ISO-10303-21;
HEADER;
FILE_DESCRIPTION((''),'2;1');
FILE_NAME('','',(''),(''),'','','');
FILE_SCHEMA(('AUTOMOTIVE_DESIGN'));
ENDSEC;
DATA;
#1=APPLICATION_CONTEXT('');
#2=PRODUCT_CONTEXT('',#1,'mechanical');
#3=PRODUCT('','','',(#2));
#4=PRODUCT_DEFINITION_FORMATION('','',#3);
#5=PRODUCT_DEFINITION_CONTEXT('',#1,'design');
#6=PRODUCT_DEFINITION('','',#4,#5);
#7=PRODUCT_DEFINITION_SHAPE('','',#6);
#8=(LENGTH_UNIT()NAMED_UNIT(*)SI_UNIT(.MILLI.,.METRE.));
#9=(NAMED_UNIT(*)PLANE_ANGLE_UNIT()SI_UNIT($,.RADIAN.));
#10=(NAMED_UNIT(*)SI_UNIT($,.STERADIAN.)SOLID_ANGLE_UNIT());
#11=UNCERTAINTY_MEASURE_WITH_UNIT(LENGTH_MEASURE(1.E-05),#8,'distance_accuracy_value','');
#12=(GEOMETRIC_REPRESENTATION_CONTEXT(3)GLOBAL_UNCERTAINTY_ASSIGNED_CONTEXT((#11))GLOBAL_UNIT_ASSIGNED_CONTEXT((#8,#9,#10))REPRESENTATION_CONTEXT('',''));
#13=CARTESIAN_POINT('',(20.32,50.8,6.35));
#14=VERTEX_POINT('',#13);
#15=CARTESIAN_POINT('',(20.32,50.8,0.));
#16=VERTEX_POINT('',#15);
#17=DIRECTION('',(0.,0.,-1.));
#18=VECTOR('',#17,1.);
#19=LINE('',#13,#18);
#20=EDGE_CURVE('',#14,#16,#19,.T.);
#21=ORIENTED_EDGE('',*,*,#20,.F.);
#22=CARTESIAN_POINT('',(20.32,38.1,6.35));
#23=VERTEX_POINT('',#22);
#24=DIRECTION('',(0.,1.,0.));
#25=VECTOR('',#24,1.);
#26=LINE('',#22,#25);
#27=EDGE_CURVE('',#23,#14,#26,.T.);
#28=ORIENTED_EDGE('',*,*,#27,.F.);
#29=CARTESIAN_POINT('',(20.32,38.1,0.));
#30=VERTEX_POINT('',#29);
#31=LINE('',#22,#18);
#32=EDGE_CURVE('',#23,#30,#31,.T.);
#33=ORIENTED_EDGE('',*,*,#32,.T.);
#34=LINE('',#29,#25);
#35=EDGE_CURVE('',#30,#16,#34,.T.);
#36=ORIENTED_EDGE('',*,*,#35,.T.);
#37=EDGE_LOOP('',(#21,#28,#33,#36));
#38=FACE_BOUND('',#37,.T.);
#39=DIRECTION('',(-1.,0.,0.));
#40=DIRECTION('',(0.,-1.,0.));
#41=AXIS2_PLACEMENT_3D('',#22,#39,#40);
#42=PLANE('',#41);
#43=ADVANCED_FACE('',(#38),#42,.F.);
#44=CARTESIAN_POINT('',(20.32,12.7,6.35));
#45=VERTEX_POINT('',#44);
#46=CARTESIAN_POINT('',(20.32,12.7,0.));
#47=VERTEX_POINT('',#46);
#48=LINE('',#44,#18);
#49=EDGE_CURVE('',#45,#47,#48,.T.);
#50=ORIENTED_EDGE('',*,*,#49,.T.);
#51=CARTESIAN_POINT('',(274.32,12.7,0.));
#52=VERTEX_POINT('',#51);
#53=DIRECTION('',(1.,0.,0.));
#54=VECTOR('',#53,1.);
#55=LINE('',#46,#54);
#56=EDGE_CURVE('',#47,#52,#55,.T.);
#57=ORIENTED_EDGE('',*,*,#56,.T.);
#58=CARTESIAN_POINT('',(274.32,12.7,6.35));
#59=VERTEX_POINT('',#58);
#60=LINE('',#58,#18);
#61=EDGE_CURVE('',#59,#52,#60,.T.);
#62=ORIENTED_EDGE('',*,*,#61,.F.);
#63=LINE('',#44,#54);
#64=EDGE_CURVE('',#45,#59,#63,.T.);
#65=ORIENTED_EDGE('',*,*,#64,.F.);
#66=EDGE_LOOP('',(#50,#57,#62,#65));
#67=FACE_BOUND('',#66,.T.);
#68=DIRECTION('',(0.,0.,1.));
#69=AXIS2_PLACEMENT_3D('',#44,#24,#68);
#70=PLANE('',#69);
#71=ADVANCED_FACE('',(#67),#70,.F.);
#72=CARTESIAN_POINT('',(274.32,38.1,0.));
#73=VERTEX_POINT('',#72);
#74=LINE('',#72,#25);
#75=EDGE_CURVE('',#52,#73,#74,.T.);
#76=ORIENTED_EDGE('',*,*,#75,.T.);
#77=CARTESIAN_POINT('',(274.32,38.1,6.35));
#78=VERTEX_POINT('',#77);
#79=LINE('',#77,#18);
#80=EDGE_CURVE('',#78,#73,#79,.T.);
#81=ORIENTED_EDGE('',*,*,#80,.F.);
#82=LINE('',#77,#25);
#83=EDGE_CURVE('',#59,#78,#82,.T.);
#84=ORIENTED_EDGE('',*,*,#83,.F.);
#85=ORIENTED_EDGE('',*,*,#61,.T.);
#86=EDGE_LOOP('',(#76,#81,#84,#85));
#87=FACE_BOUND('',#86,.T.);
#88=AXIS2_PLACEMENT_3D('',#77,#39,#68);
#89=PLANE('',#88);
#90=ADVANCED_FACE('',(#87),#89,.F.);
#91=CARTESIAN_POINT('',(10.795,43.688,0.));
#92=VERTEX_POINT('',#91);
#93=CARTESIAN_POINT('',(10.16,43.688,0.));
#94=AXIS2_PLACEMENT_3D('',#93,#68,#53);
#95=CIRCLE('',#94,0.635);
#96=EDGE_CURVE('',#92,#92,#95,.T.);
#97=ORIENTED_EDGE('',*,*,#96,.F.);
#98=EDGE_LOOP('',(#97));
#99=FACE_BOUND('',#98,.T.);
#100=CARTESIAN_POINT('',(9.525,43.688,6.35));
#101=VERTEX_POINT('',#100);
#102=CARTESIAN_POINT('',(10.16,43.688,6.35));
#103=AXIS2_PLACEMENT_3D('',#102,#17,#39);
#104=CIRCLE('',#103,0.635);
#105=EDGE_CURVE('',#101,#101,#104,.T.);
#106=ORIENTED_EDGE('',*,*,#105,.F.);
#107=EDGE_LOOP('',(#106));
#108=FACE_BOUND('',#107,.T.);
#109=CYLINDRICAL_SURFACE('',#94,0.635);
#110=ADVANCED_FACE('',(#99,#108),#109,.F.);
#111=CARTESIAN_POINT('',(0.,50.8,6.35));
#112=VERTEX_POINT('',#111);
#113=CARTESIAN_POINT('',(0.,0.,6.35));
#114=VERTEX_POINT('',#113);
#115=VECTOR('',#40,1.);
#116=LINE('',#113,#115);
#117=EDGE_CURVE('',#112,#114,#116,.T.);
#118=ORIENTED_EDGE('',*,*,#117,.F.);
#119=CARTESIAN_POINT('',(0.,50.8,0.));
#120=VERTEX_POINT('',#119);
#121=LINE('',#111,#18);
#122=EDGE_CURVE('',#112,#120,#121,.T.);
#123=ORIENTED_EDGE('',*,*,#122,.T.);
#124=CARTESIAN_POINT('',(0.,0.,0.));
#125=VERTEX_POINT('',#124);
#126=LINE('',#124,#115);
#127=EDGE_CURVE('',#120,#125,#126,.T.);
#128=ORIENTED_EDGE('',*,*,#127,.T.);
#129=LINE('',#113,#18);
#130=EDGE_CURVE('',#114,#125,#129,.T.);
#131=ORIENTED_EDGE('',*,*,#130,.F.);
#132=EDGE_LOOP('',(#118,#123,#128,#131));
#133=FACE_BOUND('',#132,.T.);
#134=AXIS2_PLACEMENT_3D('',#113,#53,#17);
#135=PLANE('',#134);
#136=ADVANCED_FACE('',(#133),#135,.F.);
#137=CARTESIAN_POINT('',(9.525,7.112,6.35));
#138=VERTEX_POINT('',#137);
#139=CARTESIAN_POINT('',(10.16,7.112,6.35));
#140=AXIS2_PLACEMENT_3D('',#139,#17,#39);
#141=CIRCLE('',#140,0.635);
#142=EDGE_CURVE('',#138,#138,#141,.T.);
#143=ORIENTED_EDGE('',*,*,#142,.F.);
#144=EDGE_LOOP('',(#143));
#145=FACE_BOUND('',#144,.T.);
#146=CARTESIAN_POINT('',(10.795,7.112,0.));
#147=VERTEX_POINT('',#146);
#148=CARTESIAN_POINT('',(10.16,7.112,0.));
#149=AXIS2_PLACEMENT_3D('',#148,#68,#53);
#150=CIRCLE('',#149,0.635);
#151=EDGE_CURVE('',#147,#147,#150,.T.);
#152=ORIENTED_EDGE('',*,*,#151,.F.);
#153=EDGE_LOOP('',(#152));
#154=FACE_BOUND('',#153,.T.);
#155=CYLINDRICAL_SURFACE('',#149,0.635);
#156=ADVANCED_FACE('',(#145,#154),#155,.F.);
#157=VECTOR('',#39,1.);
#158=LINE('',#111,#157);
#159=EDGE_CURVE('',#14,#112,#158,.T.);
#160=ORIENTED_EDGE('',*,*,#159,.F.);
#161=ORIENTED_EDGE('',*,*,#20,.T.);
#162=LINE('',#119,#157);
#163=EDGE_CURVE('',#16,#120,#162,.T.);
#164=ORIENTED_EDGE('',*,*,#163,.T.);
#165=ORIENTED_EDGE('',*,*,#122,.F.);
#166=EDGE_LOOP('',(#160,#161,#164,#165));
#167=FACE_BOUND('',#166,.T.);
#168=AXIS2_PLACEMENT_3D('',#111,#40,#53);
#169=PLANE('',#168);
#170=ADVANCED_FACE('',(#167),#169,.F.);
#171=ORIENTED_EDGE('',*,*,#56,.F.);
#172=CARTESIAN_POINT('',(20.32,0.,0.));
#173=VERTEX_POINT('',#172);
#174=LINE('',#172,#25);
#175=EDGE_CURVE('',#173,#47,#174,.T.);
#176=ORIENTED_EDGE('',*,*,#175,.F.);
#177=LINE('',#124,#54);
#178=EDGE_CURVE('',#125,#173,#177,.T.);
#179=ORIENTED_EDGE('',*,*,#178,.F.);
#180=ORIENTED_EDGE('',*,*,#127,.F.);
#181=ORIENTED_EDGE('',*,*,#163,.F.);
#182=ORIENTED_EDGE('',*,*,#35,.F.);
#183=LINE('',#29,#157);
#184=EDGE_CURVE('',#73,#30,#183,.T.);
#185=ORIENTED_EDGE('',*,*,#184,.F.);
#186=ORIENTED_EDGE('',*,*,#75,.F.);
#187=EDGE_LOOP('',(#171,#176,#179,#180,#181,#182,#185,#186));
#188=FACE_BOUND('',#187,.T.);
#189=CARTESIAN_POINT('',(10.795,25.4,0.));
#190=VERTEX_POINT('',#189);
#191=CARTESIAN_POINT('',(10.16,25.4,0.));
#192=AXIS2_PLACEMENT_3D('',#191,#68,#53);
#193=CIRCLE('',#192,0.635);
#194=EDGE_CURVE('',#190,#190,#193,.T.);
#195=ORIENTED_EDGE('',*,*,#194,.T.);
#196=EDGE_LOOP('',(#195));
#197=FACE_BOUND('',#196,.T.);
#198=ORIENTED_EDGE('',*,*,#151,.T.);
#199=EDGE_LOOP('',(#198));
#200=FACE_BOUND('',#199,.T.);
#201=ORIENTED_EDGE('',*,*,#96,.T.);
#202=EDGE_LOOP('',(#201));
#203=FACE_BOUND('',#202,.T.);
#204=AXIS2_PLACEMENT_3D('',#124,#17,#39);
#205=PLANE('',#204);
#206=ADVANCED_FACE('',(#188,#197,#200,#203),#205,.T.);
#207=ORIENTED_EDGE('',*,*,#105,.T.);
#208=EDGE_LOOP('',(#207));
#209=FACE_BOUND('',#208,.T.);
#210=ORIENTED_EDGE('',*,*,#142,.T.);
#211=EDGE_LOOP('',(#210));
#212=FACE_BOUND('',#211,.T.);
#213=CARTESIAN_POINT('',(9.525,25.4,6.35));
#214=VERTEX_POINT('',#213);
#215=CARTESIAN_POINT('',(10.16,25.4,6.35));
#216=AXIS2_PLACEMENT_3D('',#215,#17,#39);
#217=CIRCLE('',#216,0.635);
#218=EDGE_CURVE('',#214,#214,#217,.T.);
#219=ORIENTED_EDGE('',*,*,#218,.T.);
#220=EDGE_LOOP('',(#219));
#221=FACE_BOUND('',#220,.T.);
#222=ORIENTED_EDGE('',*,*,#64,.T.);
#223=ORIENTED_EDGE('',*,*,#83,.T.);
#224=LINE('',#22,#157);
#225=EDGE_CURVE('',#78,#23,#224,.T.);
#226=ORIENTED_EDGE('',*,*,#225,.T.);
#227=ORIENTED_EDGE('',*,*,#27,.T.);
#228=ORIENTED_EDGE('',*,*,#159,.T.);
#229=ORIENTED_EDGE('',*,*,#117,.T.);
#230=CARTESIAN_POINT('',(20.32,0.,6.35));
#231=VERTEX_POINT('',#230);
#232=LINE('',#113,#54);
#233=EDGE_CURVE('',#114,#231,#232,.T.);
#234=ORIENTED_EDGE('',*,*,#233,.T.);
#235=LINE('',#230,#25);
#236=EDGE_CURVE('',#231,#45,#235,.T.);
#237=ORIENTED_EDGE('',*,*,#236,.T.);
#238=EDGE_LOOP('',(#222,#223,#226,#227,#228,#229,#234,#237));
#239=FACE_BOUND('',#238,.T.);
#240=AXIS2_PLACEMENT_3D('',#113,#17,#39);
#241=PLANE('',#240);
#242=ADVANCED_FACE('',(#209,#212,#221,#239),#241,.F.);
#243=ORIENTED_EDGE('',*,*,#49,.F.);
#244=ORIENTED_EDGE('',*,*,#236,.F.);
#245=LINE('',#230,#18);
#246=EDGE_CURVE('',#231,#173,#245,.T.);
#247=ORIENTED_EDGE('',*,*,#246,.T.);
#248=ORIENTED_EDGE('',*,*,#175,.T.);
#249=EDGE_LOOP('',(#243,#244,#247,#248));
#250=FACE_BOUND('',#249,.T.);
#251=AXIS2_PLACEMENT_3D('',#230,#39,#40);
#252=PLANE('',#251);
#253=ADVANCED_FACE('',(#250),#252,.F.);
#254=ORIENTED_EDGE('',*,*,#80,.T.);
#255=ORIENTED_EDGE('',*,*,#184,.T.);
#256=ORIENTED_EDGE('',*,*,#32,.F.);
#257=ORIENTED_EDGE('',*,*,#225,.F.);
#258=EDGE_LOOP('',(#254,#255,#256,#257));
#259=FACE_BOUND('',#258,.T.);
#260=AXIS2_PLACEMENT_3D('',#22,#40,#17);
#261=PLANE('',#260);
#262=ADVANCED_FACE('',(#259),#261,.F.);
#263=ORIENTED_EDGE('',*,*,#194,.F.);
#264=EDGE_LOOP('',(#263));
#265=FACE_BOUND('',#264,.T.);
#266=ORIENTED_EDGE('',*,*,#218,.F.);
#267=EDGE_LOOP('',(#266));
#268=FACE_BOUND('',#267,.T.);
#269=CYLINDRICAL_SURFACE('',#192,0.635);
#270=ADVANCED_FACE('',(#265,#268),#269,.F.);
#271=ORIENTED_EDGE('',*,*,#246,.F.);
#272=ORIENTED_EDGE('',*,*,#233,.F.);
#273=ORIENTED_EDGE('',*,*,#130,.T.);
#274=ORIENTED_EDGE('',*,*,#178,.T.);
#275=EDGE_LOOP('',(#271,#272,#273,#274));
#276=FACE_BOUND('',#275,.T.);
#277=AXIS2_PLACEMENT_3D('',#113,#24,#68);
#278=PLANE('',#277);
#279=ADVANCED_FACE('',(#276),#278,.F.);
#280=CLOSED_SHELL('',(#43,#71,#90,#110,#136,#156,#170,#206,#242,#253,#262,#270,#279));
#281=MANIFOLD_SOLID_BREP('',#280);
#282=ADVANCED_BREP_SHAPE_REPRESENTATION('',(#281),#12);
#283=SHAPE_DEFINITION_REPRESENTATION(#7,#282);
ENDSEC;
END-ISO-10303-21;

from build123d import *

# Parameters (mm, degrees)
BOSS_EXTRUDE1_DEPTH     = 6.35
CUT_EXTRUDE1_DEPTH      = 280.056311342
CUT_EXTRUDE1_DEPTH_BACK = 280.056311342
SKETCH2_R               = 0.635


with BuildPart() as part:
    # Sketch1 → Boss-Extrude1 (new body)
    with BuildSketch(Plane.XY):
        Polygon((0, 0), (20.32, 0), (20.32, 12.7), (274.32, 12.7), (274.32, 38.1), (20.32, 38.1), (20.32, 50.8), (0, 50.8), align=None)
    extrude(amount=BOSS_EXTRUDE1_DEPTH)

    # Sketch2 → Cut-Extrude1 (cut, two sides: drawn at the far end of the back side and taken through both)
    with BuildSketch(Plane.XY.offset(6.35).offset(-CUT_EXTRUDE1_DEPTH_BACK)):
        with Locations((10.16, 43.688)):
            Circle(SKETCH2_R)
        with Locations((10.16, 25.4)):
            Circle(SKETCH2_R)
        with Locations((10.16, 7.112)):
            Circle(SKETCH2_R)
    extrude(amount=CUT_EXTRUDE1_DEPTH + CUT_EXTRUDE1_DEPTH_BACK, mode=Mode.SUBTRACT)


solid = part.part
